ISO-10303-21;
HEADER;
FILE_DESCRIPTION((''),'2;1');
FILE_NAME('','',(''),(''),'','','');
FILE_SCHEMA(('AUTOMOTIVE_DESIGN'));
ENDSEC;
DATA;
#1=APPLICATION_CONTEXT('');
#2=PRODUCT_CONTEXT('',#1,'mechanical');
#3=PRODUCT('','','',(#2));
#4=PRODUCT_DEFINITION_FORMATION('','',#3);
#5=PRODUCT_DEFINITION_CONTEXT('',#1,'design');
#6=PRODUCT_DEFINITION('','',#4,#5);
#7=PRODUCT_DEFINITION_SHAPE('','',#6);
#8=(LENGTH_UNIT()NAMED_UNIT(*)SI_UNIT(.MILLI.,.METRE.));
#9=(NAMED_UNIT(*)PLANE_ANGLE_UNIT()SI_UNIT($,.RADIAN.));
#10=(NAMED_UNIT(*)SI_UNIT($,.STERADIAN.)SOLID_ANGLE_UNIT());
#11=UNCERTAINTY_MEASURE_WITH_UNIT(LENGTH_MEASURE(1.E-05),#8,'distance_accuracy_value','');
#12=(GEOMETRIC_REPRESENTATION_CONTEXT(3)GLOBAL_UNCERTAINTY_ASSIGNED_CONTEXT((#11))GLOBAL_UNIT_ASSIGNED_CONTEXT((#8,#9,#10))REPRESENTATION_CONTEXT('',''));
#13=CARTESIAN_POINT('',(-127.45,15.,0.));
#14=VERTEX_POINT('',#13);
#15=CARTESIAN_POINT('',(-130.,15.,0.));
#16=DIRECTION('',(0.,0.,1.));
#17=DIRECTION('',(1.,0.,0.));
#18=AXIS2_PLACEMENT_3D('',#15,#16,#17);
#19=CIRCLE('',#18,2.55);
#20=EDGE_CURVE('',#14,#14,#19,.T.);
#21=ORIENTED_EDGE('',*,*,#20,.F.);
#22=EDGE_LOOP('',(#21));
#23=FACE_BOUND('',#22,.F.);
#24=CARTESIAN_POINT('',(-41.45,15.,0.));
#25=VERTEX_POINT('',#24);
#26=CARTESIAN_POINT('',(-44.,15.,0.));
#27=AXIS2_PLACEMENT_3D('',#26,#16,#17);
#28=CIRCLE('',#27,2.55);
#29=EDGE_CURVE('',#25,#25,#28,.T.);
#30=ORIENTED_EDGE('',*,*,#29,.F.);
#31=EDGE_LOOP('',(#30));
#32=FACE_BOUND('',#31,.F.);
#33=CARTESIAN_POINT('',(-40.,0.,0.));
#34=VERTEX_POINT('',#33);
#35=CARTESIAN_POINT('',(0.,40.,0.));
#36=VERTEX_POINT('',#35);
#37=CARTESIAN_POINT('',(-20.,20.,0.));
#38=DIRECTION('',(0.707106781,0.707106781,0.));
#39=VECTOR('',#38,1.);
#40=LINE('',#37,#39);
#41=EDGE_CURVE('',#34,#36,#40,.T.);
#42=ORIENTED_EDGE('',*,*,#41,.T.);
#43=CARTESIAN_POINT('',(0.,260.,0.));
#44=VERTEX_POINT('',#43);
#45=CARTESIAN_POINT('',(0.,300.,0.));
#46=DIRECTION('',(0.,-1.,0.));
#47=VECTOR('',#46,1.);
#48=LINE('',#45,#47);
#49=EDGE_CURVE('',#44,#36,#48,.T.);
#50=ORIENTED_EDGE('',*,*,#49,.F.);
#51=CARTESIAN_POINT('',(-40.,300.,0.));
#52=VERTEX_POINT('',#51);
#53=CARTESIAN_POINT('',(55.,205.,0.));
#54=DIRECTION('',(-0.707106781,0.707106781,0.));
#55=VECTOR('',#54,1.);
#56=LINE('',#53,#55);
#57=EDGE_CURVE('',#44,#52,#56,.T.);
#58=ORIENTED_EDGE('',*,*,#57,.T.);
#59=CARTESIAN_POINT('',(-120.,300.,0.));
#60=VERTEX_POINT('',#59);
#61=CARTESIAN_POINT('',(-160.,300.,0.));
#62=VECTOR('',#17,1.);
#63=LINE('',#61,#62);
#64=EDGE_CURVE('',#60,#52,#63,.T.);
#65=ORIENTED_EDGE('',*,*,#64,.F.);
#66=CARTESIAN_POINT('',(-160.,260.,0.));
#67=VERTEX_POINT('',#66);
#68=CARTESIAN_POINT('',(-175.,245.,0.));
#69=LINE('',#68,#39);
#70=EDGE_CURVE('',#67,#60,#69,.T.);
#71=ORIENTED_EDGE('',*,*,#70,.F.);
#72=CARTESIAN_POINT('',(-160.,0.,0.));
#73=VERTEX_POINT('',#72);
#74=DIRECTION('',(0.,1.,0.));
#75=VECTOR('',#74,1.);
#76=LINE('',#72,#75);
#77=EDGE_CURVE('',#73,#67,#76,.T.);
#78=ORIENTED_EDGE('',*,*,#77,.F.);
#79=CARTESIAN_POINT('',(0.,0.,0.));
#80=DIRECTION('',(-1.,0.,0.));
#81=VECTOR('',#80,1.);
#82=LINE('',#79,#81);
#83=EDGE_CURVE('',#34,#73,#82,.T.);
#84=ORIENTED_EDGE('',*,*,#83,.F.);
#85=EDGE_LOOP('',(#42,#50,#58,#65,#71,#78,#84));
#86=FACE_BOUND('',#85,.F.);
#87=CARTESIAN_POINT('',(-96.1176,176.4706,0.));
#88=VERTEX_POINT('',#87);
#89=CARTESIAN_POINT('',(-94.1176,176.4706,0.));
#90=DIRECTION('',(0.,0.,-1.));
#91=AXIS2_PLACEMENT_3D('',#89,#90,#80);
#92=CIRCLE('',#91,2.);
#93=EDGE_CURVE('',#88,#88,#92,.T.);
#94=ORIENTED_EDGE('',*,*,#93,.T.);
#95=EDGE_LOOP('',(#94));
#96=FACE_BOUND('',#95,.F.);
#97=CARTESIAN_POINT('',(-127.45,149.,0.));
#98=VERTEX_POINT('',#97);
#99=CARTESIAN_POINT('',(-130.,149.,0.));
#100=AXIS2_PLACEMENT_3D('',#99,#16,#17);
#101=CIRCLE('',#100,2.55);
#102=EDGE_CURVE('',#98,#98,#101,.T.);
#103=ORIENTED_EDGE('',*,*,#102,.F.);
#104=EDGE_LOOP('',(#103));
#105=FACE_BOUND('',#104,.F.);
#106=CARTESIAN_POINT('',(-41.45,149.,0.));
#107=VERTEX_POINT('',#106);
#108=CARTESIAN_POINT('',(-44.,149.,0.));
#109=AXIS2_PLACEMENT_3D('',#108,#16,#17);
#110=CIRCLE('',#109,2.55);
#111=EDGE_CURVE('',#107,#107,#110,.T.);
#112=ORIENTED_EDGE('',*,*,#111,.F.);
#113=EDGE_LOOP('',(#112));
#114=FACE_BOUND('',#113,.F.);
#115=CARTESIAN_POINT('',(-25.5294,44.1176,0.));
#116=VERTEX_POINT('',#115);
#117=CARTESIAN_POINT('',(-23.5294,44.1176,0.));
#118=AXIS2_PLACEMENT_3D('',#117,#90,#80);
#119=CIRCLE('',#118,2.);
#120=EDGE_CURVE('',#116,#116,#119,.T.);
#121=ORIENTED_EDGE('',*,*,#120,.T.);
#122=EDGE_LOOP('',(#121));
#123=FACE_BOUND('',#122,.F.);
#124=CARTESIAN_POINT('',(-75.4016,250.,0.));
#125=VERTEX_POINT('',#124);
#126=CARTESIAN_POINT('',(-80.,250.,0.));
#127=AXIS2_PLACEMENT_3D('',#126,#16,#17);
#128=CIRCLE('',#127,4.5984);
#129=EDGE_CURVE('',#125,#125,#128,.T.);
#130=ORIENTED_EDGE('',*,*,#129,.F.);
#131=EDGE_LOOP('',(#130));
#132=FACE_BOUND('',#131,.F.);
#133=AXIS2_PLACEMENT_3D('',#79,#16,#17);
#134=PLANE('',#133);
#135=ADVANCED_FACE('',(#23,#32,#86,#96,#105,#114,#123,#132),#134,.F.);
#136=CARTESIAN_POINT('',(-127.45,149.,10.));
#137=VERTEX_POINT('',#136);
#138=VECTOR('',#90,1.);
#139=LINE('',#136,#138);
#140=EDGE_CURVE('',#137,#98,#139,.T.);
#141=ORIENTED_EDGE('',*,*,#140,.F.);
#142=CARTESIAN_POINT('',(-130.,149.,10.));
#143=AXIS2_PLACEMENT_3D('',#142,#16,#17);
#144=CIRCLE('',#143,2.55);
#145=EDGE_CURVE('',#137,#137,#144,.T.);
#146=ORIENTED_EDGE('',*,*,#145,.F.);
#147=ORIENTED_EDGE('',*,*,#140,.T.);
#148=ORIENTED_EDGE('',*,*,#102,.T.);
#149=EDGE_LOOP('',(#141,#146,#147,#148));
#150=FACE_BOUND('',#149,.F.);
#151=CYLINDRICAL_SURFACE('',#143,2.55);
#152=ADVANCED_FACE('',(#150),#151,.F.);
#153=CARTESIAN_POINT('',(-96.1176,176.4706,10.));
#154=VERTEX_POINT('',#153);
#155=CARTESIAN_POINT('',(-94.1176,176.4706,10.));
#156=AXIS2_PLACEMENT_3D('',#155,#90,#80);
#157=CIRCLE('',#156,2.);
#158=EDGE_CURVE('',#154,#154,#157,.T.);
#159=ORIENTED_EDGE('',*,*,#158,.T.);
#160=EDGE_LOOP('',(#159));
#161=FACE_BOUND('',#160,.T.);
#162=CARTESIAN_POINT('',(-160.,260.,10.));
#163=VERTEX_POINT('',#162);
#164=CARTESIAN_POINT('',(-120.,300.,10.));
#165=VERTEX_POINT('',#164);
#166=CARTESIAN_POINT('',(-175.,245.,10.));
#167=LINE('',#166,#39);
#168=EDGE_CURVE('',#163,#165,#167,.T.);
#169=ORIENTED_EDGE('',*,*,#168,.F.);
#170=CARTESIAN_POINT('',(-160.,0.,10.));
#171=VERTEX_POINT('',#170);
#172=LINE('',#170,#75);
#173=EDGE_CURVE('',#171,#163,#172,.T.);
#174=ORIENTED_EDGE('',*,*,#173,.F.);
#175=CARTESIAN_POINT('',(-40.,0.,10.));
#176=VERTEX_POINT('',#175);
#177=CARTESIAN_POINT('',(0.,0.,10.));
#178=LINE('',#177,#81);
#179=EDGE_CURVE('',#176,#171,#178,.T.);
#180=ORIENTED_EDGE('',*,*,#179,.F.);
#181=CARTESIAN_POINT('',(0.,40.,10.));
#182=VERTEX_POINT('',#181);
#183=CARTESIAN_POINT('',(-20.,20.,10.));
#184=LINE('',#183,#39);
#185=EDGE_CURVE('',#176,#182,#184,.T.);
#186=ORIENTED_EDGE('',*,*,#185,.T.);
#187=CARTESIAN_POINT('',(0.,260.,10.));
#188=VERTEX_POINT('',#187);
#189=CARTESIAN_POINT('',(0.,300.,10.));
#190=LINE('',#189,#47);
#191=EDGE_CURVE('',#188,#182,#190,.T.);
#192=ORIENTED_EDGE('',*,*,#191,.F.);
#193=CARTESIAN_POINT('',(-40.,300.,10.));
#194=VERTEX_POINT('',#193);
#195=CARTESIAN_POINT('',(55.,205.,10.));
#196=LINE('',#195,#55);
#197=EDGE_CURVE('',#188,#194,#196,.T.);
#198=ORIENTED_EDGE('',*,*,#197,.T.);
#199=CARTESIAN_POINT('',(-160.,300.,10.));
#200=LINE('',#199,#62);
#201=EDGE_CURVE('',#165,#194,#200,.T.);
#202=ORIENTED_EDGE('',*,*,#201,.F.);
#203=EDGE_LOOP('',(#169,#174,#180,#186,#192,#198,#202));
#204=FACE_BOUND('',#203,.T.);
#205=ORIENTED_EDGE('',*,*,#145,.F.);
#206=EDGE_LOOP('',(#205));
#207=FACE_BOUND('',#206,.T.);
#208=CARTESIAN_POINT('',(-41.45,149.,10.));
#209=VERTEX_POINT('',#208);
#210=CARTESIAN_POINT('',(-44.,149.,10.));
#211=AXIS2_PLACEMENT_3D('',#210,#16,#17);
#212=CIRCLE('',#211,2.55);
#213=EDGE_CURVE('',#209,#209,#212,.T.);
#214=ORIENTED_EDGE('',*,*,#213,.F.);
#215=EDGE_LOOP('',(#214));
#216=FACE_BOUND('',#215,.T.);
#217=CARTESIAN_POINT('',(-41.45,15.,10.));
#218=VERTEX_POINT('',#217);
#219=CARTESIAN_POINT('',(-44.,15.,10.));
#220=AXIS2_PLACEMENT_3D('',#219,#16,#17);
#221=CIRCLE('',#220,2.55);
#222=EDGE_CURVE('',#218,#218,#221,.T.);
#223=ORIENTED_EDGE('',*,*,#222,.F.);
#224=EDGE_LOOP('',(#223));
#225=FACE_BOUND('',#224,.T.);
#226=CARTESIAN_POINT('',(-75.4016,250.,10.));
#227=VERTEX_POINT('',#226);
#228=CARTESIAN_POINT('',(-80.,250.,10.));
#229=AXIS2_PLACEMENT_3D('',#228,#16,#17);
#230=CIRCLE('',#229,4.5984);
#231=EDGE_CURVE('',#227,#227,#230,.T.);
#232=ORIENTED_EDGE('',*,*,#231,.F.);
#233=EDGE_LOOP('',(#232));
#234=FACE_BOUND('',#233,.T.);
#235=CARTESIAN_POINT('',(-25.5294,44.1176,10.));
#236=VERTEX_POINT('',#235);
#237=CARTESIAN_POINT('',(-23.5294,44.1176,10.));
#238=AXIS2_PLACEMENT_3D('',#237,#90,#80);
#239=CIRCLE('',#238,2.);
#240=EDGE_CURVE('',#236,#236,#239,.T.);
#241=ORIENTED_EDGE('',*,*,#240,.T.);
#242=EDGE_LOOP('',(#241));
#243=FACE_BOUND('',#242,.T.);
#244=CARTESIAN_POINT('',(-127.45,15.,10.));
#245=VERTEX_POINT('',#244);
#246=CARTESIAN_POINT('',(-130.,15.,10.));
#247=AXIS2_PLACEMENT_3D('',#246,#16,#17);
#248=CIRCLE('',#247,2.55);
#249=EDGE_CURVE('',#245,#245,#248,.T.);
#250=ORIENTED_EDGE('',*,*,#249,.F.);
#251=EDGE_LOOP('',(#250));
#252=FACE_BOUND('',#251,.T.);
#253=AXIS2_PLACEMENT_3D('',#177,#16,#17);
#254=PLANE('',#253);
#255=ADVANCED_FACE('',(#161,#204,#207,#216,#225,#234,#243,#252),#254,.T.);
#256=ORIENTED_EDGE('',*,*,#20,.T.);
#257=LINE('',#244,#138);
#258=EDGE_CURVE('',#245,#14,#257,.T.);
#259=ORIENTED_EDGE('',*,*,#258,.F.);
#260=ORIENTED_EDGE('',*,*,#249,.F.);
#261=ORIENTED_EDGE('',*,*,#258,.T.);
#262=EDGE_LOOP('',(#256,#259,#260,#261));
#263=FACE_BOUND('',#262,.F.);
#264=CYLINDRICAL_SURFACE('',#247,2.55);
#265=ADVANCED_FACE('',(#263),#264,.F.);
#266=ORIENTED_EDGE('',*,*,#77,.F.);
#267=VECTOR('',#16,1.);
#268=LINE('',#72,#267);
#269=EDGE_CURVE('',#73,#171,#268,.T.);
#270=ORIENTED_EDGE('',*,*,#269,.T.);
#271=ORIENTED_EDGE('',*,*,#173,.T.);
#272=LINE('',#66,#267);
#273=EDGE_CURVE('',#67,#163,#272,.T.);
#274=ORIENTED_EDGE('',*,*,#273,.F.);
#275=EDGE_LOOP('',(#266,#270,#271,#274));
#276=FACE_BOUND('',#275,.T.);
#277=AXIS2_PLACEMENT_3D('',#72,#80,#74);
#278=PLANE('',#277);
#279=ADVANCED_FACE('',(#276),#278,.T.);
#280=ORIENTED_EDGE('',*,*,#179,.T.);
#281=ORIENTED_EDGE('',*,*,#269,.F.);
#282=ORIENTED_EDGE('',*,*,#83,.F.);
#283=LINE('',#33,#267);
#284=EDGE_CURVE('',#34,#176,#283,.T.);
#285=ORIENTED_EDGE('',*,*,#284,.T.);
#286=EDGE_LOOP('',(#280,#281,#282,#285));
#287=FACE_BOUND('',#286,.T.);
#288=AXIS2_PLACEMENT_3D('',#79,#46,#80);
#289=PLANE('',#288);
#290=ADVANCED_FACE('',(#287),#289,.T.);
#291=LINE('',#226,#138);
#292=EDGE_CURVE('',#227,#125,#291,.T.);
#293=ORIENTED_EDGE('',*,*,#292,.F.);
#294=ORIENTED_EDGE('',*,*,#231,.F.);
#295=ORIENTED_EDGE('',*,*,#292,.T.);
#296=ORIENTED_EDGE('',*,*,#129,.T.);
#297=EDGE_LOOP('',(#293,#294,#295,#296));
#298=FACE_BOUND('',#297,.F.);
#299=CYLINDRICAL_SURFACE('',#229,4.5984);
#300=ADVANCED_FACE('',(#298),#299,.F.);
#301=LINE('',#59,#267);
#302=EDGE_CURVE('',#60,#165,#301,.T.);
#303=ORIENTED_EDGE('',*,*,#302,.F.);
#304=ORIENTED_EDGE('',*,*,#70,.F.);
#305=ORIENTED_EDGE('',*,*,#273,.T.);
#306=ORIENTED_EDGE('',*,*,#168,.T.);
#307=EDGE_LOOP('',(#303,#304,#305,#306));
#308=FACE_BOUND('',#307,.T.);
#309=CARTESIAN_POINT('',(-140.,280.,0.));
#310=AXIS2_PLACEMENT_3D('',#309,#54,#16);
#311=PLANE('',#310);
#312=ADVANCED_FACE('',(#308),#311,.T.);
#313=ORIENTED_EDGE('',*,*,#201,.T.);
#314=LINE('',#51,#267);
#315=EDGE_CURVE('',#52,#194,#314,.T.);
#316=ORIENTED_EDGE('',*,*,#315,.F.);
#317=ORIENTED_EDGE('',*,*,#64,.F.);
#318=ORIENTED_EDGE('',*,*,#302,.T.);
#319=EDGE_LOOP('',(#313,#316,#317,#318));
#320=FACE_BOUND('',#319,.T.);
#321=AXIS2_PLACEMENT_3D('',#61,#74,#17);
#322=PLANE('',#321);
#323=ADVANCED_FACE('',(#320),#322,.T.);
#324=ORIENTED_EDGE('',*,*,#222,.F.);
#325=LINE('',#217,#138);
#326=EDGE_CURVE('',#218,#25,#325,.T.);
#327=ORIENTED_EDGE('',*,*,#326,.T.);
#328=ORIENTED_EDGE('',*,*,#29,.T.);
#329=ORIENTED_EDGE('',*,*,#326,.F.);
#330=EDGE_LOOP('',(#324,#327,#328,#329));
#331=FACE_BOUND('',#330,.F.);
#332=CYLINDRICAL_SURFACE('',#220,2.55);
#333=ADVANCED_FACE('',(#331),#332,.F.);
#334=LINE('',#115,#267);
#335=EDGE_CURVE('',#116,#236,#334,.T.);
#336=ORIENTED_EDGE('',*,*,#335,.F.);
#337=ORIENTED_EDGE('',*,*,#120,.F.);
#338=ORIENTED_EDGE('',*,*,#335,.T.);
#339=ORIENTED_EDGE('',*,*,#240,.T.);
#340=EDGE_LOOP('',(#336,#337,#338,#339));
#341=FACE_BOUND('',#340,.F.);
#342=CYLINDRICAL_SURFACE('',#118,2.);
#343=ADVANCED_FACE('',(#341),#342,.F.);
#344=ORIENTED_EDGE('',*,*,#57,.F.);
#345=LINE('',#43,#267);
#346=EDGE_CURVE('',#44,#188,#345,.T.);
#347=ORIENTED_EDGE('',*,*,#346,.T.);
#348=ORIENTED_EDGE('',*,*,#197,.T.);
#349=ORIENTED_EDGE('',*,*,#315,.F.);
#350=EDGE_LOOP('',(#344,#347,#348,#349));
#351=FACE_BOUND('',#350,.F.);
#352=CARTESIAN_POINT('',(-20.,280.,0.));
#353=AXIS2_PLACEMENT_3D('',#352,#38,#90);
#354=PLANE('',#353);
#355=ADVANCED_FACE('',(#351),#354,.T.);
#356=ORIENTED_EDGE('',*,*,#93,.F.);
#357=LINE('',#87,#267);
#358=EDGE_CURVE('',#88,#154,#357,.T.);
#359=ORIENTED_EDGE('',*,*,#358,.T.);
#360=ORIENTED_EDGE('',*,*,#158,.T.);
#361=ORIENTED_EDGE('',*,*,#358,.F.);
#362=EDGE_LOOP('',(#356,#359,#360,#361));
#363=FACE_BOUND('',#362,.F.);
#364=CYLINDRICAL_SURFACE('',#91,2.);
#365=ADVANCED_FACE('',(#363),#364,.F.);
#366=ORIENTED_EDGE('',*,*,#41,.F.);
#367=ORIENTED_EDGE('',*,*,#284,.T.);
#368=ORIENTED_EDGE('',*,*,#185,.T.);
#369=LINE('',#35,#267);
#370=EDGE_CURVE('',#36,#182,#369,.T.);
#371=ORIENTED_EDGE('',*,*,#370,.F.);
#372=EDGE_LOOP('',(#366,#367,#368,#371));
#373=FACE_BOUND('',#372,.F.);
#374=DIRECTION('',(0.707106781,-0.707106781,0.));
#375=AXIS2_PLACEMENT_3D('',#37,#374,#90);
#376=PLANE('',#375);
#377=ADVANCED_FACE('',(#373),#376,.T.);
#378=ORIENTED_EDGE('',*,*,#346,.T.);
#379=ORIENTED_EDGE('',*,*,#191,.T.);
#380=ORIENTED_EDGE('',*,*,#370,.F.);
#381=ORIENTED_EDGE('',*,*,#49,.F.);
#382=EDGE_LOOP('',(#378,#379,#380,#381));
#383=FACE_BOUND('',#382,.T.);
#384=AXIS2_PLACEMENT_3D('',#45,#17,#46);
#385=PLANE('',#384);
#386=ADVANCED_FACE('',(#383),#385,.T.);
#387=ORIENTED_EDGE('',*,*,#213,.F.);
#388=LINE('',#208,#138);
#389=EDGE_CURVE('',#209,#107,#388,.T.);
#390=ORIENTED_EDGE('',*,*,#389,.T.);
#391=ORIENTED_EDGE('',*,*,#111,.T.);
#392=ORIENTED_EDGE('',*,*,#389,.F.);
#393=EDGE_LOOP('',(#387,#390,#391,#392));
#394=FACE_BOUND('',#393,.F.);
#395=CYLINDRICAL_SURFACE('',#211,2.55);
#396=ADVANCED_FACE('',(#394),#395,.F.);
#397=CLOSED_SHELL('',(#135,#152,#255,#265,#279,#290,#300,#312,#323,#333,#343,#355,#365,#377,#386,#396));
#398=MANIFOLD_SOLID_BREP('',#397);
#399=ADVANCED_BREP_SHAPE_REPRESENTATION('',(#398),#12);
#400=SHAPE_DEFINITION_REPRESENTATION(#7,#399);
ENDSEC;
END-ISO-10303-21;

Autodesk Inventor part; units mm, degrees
ref_plane "YZ Plane" through (0, 0, 0) normal (1, 0, 0) x (0, 1, 0)
ref_plane "XZ Plane" through (0, 0, 0) normal (0, 1, 0) x (-1, 0, 0)
ref_plane "XY Plane" through (0, 0, 0) normal (0, 0, 1) x (1, 0, 0)
sketch "Sketch1" plane through (0, 0, 0) normal (0, 0, 1) x (1, 0, 0)
  line L0 (0, 0) -> (-160, 0)
  line L1 (-160, 0) -> (-160, 300)
  line L2 (-160, 300) -> (0, 300)
  line L3 (0, 300) -> (0, 0)
  dimension "d0" = 160
  dimension "d1" = 300
extrude "Extrusion1" add sketch "Sketch1" along normal blind 10
sketch "Sketch2" plane through (0, 0, 10) normal (0, 0, 1) x (1, 0, 0)
  circle A0 centre (-130, 15) radius 2.55
  line L0 (-160, 0) -> (0, 0) projected
  line L1 (-160, 300) -> (-160, 0) projected
  circle A1 centre (-44, 15) radius 2.55
  circle A2 centre (-130, 149) radius 2.55
  circle A3 centre (-44, 149) radius 2.55
  circle A4 centre (-80, 250) radius 4.5984
  circle A5 centre (-50, 50) radius 5.0648 construction
  line L2 (0, 300) -> (-160, 300) projected
  line L3 (0, 0) -> (0, 300) projected
  dimension "d4" = 15
  dimension "d5" = 5.1
  dimension "d6" = 30
  dimension "d9" = 86
  dimension "d12" = 134
  dimension "d18" = 50
  dimension "d19" = 50
  dimension "d20" = 50
  dimension "d33" = 80
extrude "Extrusion2" cut sketch "Sketch2" against normal through all contours A0 | A1 | A2 | A3 | A4
chamfer "Chamfer1" distance 40 angle 45 3 edges at (0, 0, 5) (-160, 300, 5) (0, 300, 5)
sketch "Sketch3" plane through (0, 0, 0) normal (0, 0, -1) x (-1, 0, 0)
  line L0 (0, 300) -> (120, 300) projected
  line L1 (160, 260) -> (160, 0) projected
  line L2 (0, 0) -> (160, 300) construction
  circle A0 centre (94.1176, 176.4706) radius 2
  circle A1 centre (23.5294, 44.1176) radius 2
  line L3 (160, 0) -> (40, 0) projected
  line L4 (160, 0) -> (0, 0) construction
  line L5 (0, 260) -> (0, 0) construction
  line L6 (40, 300) -> (160, 300)
  line L7 (160, 300) -> (160, 0)
  dimension "d25" = 4
  dimension "d27" = 4
  dimension "d31" = 150
  dimension "d32" = 50
extrude "Extrusion3" cut sketch "Sketch3" against normal blind 10
properties part number "legno" material "Wood (Birch)"
